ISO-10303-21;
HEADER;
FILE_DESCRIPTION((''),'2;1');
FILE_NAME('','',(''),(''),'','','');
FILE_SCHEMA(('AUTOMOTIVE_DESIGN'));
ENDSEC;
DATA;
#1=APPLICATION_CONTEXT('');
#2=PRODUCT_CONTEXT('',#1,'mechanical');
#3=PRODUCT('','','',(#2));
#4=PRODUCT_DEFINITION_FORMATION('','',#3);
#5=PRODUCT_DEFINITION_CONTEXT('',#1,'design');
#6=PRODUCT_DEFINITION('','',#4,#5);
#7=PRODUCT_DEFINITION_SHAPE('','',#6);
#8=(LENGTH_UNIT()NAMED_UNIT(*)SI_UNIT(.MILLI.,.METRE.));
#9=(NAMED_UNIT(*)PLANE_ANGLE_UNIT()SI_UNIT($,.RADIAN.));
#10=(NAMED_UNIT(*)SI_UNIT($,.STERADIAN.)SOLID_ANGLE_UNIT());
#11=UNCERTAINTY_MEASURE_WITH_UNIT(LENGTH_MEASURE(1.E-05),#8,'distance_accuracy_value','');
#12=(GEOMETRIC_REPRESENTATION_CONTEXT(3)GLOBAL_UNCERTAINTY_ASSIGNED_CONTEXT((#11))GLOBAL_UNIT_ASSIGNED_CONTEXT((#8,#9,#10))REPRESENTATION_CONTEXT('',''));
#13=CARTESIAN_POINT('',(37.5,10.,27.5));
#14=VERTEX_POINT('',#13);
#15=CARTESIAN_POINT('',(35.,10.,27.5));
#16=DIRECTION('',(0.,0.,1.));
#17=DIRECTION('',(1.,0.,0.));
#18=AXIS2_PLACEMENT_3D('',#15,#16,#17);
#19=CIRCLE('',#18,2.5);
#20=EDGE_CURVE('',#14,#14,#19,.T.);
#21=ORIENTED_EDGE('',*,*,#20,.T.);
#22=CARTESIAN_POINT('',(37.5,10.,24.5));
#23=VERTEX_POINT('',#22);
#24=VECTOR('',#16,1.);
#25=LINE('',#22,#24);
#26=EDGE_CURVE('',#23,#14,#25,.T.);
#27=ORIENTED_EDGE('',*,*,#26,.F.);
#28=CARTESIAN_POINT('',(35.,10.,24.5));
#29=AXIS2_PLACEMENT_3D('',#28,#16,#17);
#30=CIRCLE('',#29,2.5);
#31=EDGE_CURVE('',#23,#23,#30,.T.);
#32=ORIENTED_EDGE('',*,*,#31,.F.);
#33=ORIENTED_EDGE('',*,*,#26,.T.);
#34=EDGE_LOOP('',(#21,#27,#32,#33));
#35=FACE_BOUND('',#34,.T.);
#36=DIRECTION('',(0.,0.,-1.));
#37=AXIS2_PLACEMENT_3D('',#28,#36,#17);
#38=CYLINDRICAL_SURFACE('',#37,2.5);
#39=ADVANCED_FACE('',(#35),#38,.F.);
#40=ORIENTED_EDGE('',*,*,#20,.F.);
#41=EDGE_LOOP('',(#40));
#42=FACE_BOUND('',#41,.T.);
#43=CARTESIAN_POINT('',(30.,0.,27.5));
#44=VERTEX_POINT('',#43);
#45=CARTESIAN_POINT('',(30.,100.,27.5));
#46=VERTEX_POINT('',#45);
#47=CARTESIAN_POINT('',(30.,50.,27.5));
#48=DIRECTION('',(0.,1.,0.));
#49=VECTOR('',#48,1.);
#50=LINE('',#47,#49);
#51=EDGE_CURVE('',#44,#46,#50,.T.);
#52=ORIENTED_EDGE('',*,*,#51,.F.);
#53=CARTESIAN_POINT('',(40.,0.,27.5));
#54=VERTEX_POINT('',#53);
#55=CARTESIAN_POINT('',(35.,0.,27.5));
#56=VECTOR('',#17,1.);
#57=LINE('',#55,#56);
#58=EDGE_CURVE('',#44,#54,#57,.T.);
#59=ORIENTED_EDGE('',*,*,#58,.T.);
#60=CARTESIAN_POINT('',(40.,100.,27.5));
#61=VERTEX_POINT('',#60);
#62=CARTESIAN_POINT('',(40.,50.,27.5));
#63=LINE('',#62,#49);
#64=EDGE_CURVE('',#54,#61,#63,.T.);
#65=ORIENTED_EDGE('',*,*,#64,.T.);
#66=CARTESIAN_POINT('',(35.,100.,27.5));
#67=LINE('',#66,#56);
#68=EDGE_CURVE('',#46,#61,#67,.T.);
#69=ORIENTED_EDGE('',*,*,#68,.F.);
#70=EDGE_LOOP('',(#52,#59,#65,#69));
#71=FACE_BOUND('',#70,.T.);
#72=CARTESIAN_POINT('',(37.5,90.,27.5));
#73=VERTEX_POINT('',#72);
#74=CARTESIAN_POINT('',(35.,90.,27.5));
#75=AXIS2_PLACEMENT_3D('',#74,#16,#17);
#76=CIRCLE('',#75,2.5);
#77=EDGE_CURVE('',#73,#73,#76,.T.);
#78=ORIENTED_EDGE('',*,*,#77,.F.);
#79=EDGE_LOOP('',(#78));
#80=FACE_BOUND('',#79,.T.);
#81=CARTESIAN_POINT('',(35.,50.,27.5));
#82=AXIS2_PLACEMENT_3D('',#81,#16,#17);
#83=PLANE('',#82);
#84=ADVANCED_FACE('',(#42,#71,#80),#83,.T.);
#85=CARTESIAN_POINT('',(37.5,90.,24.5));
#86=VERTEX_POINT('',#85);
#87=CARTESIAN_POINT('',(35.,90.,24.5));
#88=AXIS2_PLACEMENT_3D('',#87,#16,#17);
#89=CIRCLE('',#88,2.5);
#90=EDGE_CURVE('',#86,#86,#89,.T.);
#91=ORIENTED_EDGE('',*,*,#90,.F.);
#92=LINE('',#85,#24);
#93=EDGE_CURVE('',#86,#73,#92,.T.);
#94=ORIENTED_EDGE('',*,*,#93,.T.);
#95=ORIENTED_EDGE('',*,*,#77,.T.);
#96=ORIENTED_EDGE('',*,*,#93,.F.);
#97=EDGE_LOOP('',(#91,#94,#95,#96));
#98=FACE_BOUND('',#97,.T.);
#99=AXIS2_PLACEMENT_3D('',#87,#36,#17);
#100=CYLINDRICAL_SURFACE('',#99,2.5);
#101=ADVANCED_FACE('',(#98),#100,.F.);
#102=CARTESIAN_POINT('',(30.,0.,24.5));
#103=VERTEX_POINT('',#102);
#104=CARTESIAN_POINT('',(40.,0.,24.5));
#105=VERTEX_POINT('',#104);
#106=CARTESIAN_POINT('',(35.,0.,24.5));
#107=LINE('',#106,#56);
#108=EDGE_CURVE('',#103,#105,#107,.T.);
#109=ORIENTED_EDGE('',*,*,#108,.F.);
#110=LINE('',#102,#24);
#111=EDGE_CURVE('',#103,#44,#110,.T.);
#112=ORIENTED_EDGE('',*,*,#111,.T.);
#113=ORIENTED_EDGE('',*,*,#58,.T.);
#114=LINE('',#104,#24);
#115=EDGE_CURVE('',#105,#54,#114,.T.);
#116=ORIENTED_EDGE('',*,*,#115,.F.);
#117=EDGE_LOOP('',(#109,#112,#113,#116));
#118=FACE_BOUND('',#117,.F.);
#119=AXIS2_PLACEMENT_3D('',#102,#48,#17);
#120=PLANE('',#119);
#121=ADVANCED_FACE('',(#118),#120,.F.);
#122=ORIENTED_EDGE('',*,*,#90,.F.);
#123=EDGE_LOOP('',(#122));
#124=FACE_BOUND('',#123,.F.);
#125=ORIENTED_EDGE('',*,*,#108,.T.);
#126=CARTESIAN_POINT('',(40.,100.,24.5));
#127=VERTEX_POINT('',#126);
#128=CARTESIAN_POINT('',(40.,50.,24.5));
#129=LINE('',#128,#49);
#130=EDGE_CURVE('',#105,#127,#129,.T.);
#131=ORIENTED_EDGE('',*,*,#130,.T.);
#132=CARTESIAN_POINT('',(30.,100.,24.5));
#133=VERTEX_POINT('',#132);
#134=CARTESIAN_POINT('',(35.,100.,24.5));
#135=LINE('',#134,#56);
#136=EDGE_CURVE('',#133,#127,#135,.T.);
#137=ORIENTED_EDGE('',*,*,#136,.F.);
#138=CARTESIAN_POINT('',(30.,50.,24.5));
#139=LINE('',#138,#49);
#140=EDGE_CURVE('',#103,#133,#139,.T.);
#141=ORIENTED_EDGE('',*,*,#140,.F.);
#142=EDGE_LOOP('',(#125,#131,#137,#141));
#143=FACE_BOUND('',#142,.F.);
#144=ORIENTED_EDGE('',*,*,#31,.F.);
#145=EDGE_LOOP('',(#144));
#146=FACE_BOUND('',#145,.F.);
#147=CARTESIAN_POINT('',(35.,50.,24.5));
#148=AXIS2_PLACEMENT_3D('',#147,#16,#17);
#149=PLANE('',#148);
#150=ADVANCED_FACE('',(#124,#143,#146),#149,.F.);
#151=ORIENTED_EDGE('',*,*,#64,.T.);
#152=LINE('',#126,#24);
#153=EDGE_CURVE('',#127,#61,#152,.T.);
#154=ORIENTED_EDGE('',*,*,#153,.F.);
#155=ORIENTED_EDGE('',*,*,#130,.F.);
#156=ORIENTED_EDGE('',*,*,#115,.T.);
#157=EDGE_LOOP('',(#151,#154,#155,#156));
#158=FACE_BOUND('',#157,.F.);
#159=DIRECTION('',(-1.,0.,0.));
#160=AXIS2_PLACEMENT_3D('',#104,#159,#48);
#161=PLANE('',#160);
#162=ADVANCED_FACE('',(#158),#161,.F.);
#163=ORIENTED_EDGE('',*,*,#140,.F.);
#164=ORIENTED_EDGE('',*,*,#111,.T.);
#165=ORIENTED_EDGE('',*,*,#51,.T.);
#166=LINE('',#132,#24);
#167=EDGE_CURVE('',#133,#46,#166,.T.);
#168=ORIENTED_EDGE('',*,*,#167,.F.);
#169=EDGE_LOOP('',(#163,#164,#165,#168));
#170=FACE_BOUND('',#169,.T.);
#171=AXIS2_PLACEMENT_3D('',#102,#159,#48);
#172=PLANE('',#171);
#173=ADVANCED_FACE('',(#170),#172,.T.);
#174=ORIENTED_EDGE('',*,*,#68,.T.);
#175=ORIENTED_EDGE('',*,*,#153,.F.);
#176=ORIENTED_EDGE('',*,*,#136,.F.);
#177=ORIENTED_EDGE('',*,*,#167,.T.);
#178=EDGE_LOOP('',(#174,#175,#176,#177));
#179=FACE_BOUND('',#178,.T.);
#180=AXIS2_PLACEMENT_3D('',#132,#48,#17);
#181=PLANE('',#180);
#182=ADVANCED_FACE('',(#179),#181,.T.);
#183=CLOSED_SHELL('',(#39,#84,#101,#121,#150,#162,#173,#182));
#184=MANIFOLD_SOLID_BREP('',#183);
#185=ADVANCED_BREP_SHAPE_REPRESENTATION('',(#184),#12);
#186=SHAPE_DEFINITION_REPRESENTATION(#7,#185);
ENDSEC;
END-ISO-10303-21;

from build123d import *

# Parameters (mm, degrees)
CYLINDER010_R     = 2.5
CYLINDER010_DEPTH = 3
CYLINDER009_R     = 2.5
CYLINDER009_DEPTH = 3
BOX002_W          = 10
BOX002_H          = 100
BOX002_DEPTH      = 3


with BuildPart() as cylinder010:
    # Cylinder010 → Cylinder010 (new body)
    with BuildSketch(Plane(origin=(35, 90, 24.5), x_dir=(1, 0, 0), z_dir=(0, 0, 1))):
        Circle(CYLINDER010_R)
    extrude(amount=CYLINDER010_DEPTH)


with BuildPart() as cylinder009:
    # Cylinder009 → Cylinder009 (new body)
    with BuildSketch(Plane(origin=(35, 10, 24.5), x_dir=(1, 0, 0), z_dir=(0, 0, 1))):
        Circle(CYLINDER009_R)
    extrude(amount=CYLINDER009_DEPTH)


with BuildPart() as cut_1st_support_bar:
    # Box002 → Box002 (new body)
    with BuildSketch(Plane(origin=(30, 0, 24.5), x_dir=(1, 0, 0), z_dir=(0, 0, 1))):
        with Locations((5, 50)):
            Rectangle(BOX002_W, BOX002_H)
    extrude(amount=BOX002_DEPTH)

    # Cut003: cut Cylinder009
    add(cylinder009.part, mode=Mode.SUBTRACT)

    # Cut004: cut Cylinder010
    add(cylinder010.part, mode=Mode.SUBTRACT)


solid = cut_1st_support_bar.part
